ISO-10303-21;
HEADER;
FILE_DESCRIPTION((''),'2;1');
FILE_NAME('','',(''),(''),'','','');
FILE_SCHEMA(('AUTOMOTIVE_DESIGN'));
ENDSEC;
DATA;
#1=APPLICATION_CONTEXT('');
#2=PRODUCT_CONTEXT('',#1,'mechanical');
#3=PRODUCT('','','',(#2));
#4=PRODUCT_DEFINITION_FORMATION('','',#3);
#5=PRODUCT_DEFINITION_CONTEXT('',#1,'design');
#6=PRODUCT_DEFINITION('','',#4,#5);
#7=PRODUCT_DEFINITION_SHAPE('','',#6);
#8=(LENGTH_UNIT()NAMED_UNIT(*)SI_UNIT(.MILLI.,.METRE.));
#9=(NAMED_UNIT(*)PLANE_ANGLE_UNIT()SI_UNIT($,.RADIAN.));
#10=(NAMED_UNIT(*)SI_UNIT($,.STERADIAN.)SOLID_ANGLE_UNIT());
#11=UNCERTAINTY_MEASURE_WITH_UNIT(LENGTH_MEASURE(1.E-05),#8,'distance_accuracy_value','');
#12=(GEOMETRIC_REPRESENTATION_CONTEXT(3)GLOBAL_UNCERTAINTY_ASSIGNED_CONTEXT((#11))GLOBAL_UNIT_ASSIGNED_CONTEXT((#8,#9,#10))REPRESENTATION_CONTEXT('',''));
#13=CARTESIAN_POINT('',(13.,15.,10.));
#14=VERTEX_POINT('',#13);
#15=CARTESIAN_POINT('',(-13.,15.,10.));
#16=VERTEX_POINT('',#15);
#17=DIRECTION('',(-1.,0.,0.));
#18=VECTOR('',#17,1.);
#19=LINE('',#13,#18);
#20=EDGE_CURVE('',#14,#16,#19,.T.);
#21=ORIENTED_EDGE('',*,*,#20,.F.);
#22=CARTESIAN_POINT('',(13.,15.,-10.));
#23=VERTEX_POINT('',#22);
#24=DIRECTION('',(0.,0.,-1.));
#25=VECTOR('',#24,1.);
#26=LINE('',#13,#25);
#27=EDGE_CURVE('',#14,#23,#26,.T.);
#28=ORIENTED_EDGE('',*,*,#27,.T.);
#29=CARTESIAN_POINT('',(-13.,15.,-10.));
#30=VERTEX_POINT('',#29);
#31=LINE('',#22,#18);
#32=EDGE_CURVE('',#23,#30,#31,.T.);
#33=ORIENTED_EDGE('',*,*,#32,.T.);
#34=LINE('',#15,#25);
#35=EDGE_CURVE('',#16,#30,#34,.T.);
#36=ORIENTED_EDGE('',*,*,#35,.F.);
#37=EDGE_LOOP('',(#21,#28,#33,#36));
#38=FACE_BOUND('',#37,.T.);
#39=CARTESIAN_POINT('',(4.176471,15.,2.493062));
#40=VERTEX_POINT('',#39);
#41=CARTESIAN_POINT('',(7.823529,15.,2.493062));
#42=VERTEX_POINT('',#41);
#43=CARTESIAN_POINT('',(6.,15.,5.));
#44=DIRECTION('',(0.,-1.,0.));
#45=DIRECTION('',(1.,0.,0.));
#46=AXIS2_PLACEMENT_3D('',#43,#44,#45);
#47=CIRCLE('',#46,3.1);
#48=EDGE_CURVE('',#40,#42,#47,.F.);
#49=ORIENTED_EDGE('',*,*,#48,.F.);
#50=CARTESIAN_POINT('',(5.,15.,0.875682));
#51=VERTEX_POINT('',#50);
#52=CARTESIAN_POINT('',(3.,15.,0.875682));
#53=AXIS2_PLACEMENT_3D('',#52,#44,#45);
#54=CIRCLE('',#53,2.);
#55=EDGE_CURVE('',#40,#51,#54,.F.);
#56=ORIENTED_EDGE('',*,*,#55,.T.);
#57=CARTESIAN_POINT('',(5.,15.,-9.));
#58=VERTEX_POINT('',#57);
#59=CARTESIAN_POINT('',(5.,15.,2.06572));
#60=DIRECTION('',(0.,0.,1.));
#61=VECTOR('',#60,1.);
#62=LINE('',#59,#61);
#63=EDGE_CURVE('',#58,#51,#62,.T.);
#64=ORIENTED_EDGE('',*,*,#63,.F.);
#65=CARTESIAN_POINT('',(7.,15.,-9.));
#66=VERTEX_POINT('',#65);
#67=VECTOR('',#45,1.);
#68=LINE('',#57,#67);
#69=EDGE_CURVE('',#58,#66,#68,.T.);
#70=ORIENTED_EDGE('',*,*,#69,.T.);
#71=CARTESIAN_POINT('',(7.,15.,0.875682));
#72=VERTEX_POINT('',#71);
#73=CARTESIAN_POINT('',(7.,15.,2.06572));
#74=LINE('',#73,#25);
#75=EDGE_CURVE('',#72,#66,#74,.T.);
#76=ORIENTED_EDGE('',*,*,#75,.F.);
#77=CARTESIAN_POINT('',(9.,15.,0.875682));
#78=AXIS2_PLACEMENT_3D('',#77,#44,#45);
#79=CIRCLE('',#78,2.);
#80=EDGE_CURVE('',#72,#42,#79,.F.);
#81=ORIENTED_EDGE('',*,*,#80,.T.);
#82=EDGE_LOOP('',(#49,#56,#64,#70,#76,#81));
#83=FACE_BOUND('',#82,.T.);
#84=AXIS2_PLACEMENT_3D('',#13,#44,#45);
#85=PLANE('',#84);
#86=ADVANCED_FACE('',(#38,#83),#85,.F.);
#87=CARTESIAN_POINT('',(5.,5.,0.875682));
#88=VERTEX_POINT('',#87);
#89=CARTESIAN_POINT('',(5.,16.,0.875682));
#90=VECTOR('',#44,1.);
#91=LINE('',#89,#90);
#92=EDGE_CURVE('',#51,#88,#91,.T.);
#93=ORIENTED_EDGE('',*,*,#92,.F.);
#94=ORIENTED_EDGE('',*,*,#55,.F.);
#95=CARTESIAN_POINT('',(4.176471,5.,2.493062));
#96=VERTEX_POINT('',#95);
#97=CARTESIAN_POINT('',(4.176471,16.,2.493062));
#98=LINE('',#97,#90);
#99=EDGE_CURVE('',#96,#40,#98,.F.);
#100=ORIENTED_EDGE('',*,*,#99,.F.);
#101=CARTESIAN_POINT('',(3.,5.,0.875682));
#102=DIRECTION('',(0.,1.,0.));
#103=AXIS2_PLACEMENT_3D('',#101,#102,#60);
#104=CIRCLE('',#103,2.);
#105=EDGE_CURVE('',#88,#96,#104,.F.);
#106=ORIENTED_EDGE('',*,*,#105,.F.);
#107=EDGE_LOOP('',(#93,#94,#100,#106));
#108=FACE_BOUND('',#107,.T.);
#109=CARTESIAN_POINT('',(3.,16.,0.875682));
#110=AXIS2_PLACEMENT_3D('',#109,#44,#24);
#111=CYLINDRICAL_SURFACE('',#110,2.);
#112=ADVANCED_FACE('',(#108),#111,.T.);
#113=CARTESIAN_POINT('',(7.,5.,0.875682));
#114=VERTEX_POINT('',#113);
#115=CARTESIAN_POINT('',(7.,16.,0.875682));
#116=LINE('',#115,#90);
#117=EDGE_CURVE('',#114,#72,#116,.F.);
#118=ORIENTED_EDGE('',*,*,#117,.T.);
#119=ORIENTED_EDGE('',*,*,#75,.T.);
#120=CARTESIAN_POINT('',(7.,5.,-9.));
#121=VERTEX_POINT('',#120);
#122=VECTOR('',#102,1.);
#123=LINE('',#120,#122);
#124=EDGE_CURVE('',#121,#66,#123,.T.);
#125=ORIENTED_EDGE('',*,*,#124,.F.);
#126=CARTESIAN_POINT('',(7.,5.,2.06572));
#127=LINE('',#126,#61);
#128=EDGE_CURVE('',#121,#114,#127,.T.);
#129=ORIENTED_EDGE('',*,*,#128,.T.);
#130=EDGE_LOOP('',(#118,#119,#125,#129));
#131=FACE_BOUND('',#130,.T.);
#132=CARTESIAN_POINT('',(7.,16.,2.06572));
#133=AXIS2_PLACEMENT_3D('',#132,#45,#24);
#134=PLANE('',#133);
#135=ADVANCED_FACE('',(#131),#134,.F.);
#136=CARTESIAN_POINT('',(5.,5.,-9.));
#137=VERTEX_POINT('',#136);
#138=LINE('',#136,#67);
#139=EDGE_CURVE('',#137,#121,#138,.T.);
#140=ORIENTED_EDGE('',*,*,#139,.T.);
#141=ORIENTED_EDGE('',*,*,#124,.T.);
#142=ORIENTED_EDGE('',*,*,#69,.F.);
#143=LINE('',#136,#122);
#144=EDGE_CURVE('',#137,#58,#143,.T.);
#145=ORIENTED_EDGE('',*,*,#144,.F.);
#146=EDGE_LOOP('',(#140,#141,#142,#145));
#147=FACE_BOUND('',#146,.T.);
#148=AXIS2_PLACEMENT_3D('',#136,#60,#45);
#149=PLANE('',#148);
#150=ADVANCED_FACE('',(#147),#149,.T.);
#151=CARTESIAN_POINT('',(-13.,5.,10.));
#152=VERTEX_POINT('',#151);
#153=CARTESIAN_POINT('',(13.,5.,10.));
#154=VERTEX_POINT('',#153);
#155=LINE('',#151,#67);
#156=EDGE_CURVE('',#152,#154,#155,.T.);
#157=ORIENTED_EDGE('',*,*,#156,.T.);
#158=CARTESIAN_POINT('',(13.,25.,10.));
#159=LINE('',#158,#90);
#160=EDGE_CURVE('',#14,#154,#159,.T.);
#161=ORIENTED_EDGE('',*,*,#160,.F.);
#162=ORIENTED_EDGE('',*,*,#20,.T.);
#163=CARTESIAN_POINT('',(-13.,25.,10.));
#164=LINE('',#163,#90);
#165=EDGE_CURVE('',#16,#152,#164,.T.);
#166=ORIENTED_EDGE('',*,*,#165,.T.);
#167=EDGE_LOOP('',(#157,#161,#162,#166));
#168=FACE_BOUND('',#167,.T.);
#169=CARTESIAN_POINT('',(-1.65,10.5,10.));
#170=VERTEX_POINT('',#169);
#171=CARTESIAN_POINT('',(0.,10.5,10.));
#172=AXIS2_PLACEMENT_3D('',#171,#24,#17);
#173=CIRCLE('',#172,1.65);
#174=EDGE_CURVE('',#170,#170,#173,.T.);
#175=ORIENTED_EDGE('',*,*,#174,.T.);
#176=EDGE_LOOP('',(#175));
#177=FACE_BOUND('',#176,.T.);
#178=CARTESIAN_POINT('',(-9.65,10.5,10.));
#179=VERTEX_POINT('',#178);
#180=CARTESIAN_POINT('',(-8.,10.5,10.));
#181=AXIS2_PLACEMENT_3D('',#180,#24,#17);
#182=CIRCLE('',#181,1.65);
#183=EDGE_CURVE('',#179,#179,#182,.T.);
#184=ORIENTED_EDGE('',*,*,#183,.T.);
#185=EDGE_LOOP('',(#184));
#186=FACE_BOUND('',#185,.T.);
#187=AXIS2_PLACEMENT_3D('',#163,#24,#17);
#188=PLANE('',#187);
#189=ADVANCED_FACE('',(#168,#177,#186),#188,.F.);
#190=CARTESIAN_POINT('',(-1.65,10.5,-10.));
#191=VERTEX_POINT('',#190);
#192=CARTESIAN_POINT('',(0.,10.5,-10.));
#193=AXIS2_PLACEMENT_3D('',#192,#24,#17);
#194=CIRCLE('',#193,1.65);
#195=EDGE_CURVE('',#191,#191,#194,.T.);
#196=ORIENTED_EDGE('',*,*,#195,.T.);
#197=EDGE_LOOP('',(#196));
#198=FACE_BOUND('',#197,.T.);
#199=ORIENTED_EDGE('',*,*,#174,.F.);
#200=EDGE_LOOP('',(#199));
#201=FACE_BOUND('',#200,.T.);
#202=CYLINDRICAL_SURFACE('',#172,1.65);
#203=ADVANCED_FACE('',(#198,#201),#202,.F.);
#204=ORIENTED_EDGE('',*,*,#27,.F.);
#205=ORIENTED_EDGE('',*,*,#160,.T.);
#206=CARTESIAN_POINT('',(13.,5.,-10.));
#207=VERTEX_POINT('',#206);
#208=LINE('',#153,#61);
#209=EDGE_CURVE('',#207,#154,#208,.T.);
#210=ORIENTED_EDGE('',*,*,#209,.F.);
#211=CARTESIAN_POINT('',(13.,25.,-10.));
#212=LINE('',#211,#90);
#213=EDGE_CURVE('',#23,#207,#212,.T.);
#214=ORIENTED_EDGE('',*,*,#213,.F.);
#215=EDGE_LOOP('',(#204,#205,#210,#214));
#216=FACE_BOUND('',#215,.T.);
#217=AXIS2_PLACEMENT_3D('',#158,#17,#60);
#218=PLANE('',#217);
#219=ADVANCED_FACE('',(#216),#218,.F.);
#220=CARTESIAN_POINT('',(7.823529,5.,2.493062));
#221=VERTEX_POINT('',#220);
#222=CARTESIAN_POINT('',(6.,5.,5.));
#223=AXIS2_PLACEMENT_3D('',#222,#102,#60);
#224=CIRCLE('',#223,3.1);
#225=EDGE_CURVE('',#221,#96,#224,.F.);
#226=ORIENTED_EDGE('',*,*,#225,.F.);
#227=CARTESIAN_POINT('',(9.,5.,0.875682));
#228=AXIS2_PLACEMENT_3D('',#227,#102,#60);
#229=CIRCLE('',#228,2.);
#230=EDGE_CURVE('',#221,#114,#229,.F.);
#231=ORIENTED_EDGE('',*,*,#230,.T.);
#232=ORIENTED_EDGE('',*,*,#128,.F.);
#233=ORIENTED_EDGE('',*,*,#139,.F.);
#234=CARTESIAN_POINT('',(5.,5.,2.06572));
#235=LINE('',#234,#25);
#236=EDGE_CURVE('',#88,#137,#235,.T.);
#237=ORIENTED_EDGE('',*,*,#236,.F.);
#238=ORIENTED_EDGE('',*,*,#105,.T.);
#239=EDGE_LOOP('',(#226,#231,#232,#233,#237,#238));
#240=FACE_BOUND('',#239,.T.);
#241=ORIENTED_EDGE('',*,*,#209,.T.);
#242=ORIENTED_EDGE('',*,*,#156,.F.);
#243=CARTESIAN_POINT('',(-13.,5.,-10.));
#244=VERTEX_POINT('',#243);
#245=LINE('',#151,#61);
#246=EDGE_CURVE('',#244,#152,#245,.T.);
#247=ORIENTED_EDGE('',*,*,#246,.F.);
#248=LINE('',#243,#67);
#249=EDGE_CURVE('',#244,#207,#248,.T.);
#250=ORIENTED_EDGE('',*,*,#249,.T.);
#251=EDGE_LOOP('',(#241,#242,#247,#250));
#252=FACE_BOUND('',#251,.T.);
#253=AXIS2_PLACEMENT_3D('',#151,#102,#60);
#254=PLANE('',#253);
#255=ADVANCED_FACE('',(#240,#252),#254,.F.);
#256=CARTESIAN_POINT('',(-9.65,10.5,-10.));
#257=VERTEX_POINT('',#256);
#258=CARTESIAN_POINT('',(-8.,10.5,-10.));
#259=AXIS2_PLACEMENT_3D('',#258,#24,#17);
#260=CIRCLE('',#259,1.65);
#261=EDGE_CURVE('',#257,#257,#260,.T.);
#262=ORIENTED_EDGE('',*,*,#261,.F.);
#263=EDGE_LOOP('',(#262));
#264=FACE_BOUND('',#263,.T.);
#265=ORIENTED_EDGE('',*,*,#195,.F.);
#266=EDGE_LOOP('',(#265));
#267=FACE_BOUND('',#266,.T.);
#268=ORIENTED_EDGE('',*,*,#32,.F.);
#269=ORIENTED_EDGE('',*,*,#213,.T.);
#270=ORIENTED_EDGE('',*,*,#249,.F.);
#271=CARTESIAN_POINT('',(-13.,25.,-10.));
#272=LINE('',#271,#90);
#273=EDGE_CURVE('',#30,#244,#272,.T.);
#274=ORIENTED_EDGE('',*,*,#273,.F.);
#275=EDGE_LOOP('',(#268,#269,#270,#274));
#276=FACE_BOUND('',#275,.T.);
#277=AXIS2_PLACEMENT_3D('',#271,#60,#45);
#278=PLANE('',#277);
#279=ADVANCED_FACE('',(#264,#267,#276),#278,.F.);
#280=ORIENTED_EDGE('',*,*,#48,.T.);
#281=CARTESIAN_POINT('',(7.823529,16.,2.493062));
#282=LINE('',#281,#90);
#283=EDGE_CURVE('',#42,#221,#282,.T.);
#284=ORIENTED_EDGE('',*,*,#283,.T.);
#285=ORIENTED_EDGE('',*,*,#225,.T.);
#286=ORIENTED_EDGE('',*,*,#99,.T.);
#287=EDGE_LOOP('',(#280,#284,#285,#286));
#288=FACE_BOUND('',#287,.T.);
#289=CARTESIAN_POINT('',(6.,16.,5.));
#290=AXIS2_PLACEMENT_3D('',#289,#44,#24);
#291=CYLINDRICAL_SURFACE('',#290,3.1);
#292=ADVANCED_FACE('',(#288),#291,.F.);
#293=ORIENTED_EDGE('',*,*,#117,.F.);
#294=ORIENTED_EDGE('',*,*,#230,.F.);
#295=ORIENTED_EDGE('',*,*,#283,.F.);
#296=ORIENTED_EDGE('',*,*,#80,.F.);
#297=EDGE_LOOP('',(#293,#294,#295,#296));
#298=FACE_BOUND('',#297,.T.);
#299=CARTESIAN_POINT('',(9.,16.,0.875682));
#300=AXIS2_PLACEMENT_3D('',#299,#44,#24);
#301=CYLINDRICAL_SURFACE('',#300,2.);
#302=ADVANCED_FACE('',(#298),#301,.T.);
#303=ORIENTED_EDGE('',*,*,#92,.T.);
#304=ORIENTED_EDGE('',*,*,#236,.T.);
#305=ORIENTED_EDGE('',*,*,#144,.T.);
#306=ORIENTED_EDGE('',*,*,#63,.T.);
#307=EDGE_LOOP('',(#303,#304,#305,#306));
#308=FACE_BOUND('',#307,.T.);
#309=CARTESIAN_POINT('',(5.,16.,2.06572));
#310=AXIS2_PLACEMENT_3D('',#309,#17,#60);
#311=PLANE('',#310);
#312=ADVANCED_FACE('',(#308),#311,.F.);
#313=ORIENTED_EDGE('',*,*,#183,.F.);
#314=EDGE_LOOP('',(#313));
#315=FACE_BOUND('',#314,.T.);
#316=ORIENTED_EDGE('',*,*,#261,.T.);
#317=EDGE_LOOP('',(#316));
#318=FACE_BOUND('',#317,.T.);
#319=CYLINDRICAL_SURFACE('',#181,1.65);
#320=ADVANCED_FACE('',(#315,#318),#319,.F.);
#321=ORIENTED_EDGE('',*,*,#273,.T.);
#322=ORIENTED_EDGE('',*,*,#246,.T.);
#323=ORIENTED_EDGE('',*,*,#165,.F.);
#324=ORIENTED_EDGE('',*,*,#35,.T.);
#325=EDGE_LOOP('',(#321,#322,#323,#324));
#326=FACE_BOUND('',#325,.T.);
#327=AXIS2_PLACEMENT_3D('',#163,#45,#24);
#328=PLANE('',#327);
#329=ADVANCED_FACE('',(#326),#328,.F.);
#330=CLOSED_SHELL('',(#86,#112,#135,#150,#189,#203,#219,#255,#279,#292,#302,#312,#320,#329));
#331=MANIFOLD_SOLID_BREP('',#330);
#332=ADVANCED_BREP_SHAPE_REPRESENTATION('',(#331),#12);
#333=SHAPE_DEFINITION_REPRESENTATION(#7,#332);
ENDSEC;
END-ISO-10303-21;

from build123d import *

# Parameters (mm, degrees)
SKETCH_1_W          = 26
SKETCH_1_H          = 20
EXTRUDE_1_DEPTH     = 25
CUT_EXTRUDE_1_DEPTH = 16
FILLET_1_R          = 2
SKETCH_3_R          = 1.25
CUT_EXTRUDE_2_DEPTH = 23.912878475
SKETCH_4_R          = 1.65
CUT_EXTRUDE_3_DEPTH = 35.554305086
SKETCH_5_W          = 20
SKETCH_5_H          = 5
CUT_EXTRUDE_4_DEPTH = 38.429934544
SKETCH_6_W          = 26
SKETCH_6_H          = 10
CUT_EXTRUDE_5_DEPTH = 35.554305086
SKETCH_7_W          = 2
SKETCH_7_H          = 1
EXTRUDE_2_DEPTH     = 10


with BuildPart() as part:
    # 草图1 → 凸台-拉伸1 (new body)
    with BuildSketch(Plane(origin=(0, 0, 0), x_dir=(1, 0, 0), z_dir=(0, 1, 0))):
        Rectangle(SKETCH_1_W, SKETCH_1_H)
    extrude(amount=EXTRUDE_1_DEPTH)

    # 草图2 → 切除-拉伸1 (cut)
    with BuildSketch(Plane.XZ):
        with BuildLine():
            Line((5, 2.06571985), (5, -10))
            Line((5, -10), (7, -10))
            Line((7, -10), (7, 2.06571985))
            ThreePointArc((7, 2.06571985), (6, 8.1), (5, 2.06571985))
        make_face()
    extrude(amount=-CUT_EXTRUDE_1_DEPTH, mode=Mode.SUBTRACT)

    # 圆角1
    fillet_1_edges = [part.edges().sort_by_distance(p)[0] for p in [
        (5, 8, 2.06571985),
        (7, 8, 2.06571985),
    ]]
    fillet(fillet_1_edges, radius=FILLET_1_R)

    # 草图3 → 切除-拉伸2 (cut, through all)
    with BuildSketch(Plane.XZ.offset(-16)):
        with Locations(Location((6, 5, 0), (0, 0, 270))):
            Circle(SKETCH_3_R)
    extrude(amount=-CUT_EXTRUDE_2_DEPTH, mode=Mode.SUBTRACT)

    # 草图4 → 切除-拉伸3 (cut, through all)
    with BuildSketch(Plane(origin=(0, 0, -10), x_dir=(-1, 0, 0), z_dir=(0, 0, -1))):
        with Locations((8, 10.5)):
            Circle(SKETCH_4_R)
        with Locations((0, 10.5)):
            Circle(SKETCH_4_R)
    extrude(amount=-CUT_EXTRUDE_3_DEPTH, mode=Mode.SUBTRACT)

    # 草图5 → 切除-拉伸4 (cut, through all)
    with BuildSketch(Plane(origin=(13, 0, 0), x_dir=(0, 0, -1), z_dir=(1, 0, 0))):
        with Locations((0, 2.5)):
            Rectangle(SKETCH_5_W, SKETCH_5_H)
    extrude(amount=-CUT_EXTRUDE_4_DEPTH, mode=Mode.SUBTRACT)

    # 草图6 → 切除-拉伸5 (cut, through all)
    with BuildSketch(Plane(origin=(0, 0, -10), x_dir=(-1, 0, 0), z_dir=(0, 0, -1))):
        with Locations((0, 20)):
            Rectangle(SKETCH_6_W, SKETCH_6_H)
    extrude(amount=-CUT_EXTRUDE_5_DEPTH, mode=Mode.SUBTRACT)

    # 草图7 → 凸台-拉伸2 (add)
    with BuildSketch(Plane(origin=(0, 15, 0), x_dir=(1, 0, 0), z_dir=(0, 1, 0))):
        with Locations((6, 9.5)):
            Rectangle(SKETCH_7_W, SKETCH_7_H)
    extrude(amount=-EXTRUDE_2_DEPTH)


solid = part.part
